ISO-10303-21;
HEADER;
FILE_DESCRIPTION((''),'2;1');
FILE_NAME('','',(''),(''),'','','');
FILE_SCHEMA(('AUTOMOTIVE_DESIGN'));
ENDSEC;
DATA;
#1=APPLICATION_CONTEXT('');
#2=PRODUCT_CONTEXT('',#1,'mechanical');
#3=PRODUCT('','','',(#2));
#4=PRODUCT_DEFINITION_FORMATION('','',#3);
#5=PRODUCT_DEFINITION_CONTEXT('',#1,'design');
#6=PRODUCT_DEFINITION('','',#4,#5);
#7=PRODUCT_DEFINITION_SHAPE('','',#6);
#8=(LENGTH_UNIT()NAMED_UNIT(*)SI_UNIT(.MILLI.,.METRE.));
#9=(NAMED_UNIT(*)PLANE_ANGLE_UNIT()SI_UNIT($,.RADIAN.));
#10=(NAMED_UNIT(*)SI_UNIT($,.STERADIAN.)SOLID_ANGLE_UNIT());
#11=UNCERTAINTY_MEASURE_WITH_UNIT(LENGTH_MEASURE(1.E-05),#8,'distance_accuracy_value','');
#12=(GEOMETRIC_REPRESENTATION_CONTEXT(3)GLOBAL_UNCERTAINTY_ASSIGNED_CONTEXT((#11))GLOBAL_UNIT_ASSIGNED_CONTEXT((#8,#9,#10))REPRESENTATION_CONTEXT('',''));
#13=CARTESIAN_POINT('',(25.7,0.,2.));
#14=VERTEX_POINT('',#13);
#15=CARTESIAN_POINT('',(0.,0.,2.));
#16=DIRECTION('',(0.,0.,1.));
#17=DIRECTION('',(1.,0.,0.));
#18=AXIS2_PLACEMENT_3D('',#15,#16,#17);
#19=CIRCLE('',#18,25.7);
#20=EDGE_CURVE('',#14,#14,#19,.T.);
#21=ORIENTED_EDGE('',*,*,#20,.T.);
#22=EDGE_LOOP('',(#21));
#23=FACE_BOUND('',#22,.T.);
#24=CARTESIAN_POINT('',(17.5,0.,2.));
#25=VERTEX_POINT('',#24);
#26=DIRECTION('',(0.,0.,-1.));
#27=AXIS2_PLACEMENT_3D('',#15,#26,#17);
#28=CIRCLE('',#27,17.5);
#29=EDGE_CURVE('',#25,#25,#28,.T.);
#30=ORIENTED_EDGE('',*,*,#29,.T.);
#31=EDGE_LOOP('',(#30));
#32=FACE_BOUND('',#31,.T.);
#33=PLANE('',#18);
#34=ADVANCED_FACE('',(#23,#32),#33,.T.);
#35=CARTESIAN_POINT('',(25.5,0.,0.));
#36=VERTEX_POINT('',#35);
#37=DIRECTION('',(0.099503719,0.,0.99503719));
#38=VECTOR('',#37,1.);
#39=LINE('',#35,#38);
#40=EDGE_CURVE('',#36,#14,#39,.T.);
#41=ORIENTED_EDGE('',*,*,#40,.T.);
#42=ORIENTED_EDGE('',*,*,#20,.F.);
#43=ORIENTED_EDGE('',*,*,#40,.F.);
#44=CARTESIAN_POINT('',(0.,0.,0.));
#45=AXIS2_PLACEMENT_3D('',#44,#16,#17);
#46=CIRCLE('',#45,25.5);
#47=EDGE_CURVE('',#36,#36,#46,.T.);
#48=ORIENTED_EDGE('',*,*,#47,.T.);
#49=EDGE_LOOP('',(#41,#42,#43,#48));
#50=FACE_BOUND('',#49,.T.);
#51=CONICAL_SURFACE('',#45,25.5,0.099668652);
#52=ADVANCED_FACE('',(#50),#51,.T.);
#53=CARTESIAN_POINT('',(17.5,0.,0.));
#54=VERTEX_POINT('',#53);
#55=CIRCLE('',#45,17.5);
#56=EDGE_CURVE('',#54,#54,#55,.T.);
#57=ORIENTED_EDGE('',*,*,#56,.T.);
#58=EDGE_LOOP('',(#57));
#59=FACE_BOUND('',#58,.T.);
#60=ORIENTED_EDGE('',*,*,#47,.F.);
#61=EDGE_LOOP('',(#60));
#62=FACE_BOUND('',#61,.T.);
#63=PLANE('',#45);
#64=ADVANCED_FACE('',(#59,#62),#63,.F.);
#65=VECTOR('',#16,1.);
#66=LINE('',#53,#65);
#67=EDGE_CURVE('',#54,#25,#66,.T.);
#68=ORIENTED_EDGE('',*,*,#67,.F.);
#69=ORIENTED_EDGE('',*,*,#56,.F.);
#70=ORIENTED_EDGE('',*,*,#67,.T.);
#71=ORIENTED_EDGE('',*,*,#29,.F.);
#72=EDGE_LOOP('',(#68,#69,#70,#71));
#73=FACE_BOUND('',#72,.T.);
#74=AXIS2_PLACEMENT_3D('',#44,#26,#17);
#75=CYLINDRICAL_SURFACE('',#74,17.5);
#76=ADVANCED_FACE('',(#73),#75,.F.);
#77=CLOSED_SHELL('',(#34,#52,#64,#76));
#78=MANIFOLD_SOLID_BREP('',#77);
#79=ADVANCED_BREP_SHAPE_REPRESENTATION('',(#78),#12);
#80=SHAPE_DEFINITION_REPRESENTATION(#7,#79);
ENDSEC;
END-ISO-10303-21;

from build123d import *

# Parameters (mm, degrees)
CYLINDER009_R     = 17.5
CYLINDER009_DEPTH = 10


with BuildPart() as cylinder009:
    # Cylinder009 → Cylinder009 (new body)
    with BuildSketch(Plane.XY):
        Circle(CYLINDER009_R)
    extrude(amount=CYLINDER009_DEPTH)


with BuildPart() as cut009:
    # Cone008 → Cone008 (revolve)
    with BuildSketch(Plane.XZ):
        Polygon((0, 0), (25.5, 0), (25.7, 2), (0, 2), align=None)
    revolve(axis=Axis((0, 0, 0), (0, 0, 1)))

    # Cut009: cut Cylinder009
    add(cylinder009.part, mode=Mode.SUBTRACT)


solid = cut009.part
